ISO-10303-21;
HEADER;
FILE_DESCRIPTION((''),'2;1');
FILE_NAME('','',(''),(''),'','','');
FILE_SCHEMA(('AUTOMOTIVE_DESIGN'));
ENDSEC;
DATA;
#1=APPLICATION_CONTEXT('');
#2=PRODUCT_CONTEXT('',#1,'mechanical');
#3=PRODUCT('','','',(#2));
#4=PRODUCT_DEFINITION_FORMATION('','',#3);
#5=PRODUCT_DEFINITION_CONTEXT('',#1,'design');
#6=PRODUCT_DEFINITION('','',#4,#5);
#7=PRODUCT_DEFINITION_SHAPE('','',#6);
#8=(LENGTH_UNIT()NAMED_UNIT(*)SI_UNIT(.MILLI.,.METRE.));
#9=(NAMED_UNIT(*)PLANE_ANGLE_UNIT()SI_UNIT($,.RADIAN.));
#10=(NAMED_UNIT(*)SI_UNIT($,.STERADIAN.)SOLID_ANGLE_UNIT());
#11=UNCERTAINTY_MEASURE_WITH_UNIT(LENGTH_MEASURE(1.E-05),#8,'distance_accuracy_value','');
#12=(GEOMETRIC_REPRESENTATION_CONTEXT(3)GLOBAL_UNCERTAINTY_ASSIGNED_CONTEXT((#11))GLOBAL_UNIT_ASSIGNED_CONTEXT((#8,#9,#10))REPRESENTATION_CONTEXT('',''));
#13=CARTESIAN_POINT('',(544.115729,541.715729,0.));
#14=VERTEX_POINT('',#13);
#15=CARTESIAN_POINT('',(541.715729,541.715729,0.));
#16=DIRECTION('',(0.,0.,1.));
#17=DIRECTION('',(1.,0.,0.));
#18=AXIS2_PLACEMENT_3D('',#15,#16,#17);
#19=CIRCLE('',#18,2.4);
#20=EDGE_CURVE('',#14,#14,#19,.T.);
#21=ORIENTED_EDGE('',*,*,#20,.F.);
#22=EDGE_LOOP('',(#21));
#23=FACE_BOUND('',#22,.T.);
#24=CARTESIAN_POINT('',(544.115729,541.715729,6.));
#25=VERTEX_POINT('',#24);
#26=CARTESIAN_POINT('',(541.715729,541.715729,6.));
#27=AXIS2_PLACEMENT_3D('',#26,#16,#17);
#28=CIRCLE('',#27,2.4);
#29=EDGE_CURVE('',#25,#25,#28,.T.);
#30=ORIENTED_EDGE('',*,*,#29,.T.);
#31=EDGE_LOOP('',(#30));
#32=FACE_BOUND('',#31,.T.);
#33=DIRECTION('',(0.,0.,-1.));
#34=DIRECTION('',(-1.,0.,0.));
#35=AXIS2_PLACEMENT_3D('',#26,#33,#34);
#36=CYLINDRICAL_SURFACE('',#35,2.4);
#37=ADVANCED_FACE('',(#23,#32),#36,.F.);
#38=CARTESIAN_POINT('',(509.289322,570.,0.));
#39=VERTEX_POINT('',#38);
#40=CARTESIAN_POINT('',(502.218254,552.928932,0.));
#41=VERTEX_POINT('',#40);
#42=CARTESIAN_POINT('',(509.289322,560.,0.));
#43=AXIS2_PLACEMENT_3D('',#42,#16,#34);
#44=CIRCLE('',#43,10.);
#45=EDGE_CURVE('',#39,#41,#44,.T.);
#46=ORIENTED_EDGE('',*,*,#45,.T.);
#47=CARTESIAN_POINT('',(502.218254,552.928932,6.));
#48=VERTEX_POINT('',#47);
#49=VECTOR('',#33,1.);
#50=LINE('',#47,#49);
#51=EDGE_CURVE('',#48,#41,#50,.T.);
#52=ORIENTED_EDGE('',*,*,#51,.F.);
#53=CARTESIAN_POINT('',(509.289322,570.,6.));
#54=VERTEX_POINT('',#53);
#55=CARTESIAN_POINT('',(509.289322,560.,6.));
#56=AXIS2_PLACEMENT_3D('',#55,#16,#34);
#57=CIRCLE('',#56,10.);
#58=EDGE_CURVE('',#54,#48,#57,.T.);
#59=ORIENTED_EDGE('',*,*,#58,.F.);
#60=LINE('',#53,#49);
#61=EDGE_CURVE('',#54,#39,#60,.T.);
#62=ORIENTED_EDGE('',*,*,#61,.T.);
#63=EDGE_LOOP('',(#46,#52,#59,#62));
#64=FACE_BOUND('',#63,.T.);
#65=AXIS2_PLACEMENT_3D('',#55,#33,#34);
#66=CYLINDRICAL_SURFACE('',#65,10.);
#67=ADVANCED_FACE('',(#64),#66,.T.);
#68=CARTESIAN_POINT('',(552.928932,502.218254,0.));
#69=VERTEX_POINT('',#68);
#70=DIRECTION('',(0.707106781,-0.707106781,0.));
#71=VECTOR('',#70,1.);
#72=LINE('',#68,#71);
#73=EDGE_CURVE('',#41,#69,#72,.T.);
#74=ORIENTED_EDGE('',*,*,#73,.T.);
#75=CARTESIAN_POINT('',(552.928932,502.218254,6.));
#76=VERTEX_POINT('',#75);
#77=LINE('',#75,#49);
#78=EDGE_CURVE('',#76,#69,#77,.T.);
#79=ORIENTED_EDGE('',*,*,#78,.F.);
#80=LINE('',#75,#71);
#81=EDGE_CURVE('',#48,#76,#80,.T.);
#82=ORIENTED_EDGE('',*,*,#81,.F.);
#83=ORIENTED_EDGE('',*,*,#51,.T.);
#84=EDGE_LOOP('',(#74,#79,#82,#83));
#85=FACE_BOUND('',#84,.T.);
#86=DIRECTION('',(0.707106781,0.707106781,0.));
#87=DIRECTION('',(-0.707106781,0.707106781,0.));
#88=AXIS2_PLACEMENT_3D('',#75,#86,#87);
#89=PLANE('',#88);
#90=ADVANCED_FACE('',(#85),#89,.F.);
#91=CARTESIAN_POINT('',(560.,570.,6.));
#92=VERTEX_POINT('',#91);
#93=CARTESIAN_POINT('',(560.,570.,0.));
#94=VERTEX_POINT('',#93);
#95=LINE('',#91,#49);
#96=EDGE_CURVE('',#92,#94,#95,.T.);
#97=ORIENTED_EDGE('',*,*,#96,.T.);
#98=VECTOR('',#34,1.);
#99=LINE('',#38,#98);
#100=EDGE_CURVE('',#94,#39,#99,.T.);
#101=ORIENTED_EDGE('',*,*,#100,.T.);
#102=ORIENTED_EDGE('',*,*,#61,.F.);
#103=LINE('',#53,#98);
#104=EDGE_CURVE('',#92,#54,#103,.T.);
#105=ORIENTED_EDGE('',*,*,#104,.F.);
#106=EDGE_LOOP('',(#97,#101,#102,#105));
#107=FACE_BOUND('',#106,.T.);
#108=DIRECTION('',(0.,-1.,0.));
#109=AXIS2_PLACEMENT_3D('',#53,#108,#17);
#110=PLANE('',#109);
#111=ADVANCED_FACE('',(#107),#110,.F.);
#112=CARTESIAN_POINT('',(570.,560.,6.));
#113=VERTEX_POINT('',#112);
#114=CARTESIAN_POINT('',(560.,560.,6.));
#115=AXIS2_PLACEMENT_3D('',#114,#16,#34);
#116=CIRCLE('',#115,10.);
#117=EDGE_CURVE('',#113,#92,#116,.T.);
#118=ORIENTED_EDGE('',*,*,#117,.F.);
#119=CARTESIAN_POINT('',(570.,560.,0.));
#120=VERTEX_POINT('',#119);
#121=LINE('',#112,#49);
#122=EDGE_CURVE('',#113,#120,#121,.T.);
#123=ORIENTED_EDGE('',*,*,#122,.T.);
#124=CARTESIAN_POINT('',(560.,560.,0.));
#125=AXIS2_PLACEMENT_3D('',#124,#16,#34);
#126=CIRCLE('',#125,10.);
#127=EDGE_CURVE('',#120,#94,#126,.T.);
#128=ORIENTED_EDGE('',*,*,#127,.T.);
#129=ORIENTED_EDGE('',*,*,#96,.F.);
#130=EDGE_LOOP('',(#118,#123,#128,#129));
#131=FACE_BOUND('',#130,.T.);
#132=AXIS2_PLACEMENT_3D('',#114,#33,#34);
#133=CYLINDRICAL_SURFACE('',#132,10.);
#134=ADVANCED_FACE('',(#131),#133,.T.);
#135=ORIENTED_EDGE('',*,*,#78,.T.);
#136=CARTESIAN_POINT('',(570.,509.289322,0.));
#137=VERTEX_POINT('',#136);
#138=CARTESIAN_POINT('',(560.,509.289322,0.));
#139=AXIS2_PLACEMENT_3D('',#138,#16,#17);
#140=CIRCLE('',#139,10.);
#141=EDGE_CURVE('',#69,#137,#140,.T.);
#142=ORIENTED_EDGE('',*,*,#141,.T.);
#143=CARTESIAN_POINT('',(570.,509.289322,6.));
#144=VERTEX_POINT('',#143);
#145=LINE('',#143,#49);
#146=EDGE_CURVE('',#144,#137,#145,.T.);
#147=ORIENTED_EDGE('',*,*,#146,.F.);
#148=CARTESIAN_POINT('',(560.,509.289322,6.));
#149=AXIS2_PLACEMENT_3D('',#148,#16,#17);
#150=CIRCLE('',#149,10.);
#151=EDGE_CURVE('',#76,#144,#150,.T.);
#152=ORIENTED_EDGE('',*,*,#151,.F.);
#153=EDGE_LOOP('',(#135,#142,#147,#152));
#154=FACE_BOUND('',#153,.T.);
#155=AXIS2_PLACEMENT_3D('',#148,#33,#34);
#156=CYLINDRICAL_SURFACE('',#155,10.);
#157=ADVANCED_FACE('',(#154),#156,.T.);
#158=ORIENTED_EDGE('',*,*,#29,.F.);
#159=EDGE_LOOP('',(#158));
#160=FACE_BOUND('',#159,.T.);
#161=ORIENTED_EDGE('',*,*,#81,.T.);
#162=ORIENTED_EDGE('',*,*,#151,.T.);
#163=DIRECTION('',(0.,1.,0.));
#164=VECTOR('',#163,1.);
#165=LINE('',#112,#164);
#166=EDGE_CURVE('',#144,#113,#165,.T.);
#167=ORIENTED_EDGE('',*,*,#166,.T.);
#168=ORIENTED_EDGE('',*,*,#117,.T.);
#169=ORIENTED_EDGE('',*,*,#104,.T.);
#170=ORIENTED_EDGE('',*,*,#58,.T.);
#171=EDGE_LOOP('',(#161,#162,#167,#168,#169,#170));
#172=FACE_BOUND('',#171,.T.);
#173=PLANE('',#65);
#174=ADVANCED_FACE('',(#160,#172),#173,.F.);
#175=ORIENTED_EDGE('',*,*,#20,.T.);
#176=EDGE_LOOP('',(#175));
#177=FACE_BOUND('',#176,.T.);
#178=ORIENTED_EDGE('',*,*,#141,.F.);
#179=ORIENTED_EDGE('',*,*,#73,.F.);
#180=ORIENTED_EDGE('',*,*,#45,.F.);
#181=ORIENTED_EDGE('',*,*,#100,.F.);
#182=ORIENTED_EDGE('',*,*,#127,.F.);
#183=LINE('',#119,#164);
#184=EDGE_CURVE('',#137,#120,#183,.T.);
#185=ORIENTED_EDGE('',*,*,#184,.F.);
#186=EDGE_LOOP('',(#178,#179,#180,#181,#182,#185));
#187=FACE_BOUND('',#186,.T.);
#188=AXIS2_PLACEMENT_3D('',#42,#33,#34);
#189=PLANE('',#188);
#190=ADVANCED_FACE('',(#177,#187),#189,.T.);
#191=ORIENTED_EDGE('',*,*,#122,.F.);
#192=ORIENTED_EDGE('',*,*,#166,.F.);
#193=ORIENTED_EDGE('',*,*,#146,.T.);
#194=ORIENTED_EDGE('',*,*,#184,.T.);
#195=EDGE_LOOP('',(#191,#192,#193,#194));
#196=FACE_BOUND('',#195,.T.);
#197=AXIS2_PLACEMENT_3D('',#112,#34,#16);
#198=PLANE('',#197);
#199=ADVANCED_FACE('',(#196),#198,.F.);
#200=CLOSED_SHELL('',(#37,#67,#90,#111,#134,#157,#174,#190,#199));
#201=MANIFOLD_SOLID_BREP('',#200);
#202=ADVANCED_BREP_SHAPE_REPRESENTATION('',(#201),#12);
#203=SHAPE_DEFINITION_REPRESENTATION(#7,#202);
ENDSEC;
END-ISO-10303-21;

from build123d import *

# Parameters (mm, degrees)
SKETCH1_R           = 2.4
BOSS_EXTRUDE1_DEPTH = 6


with BuildPart() as part:
    # Sketch1 → Boss-Extrude1 (new body)
    with BuildSketch(Plane.XY):
        with BuildLine():
            Line((552.928932188, 502.218254069), (502.218254069, 552.928932188))
            ThreePointArc((502.218254069, 552.928932188), (500.050526556, 563.826834324), (509.289321881, 570))
            Line((509.289321881, 570), (560, 570))
            ThreePointArc((560, 570), (567.071067812, 567.071067812), (570, 560))
            Line((570, 560), (570, 509.289321881))
            ThreePointArc((570, 509.289321881), (563.826834324, 500.050526556), (552.928932188, 502.218254069))
        make_face()
        with Locations((541.715728753, 541.715728753)):
            Circle(SKETCH1_R, mode=Mode.SUBTRACT)
    extrude(amount=BOSS_EXTRUDE1_DEPTH)


solid = part.part
